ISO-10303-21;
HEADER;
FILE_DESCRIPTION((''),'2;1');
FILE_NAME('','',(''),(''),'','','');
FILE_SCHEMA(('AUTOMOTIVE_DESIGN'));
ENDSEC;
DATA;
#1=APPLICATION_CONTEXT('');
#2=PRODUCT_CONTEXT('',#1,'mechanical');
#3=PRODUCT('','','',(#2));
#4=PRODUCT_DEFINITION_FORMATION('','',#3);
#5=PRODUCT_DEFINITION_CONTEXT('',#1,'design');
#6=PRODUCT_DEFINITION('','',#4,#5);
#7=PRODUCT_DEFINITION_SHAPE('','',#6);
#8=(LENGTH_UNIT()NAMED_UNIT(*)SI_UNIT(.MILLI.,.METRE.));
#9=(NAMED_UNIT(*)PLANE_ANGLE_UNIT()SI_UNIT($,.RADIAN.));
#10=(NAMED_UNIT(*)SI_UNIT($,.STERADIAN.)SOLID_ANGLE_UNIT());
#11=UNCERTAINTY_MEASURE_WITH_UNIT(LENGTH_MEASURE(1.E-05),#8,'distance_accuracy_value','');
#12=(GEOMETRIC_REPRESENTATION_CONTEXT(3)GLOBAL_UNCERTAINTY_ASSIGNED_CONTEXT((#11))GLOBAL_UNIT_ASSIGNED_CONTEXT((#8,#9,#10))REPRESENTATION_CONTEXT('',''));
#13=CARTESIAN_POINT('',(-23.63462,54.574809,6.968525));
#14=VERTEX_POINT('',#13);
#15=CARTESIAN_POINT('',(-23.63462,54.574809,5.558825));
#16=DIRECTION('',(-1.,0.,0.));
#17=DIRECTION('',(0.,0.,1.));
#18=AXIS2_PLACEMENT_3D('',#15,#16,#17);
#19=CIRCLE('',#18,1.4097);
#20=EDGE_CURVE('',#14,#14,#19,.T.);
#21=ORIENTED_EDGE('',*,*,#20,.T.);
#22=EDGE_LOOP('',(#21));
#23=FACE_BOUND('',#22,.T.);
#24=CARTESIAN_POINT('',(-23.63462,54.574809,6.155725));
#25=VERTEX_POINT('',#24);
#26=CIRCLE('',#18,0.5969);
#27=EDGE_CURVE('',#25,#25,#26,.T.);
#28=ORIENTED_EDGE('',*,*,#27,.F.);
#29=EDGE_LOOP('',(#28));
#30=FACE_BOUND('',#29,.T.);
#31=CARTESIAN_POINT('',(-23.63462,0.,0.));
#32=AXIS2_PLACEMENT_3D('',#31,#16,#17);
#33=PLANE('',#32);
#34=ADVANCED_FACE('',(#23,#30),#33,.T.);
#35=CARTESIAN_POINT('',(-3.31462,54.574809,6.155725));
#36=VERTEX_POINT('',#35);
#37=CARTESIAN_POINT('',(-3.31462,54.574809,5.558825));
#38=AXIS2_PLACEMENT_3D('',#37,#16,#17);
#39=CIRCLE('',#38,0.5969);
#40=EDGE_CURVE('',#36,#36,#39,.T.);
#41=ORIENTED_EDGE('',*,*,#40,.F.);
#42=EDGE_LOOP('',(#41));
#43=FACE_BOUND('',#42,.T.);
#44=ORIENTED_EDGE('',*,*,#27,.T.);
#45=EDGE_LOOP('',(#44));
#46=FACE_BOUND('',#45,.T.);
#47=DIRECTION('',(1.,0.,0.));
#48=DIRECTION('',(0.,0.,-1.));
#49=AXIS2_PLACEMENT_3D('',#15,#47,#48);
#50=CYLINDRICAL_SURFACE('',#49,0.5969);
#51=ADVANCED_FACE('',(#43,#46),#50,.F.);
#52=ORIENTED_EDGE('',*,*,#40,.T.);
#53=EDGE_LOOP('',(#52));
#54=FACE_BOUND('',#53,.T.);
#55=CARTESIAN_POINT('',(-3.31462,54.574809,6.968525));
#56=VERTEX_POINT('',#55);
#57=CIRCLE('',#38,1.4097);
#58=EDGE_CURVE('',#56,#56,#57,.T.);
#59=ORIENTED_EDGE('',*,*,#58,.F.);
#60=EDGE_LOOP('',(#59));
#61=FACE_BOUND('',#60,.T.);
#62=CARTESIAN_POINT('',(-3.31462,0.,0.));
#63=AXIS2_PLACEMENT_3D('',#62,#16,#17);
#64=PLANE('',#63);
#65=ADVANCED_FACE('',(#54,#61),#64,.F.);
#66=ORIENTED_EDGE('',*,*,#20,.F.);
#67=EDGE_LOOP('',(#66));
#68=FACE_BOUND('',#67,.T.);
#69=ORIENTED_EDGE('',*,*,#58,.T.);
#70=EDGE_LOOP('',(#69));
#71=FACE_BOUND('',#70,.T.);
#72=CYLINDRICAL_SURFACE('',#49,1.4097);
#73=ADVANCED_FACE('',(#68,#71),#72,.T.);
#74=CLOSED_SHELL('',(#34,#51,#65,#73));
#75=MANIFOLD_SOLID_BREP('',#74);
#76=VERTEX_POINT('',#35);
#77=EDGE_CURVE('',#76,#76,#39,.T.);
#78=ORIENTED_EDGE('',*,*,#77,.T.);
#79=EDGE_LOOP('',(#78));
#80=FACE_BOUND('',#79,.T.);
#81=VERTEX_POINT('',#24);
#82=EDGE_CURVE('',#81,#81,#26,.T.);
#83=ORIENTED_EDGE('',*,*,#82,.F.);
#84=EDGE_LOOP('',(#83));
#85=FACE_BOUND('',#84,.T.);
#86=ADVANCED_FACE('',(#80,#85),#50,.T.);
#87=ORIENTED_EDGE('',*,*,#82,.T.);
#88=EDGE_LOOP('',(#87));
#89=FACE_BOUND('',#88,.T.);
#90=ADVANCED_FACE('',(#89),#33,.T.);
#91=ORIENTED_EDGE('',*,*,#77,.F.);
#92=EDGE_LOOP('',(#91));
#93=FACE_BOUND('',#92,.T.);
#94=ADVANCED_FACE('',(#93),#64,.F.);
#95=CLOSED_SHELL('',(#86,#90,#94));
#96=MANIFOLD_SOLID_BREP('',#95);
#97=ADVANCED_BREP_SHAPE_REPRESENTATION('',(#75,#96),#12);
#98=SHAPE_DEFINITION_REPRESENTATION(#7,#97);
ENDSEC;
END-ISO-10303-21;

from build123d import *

# Parameters (mm, degrees)
SKETCH1_R           = 0.5969
BOSS_EXTRUDE1_DEPTH = 20.32
SKETCH1_3_R         = 1.4097
SKETCH1_3_R_2       = 0.5969
BOSS_EXTRUDE2_DEPTH = 20.32


with BuildPart() as part:
    # Sketch1 → Boss-Extrude1 (new body)
    with BuildSketch(Plane.ZY.offset(3.314620275)):
        with Locations((5.558825408, 54.574808677)):
            Circle(SKETCH1_R)
    extrude(amount=BOSS_EXTRUDE1_DEPTH)


with BuildPart() as body_2:
    # Sketch1<3> → Boss-Extrude2 (new body)
    with BuildSketch(Plane.ZY.offset(3.314620275)):
        with Locations((5.558825408, 54.574808677)):
            Circle(SKETCH1_3_R)
        with Locations((5.558825408, 54.574808677)):
            Circle(SKETCH1_3_R_2, mode=Mode.SUBTRACT)
    extrude(amount=BOSS_EXTRUDE2_DEPTH)


solid = Compound([part.part, body_2.part])
